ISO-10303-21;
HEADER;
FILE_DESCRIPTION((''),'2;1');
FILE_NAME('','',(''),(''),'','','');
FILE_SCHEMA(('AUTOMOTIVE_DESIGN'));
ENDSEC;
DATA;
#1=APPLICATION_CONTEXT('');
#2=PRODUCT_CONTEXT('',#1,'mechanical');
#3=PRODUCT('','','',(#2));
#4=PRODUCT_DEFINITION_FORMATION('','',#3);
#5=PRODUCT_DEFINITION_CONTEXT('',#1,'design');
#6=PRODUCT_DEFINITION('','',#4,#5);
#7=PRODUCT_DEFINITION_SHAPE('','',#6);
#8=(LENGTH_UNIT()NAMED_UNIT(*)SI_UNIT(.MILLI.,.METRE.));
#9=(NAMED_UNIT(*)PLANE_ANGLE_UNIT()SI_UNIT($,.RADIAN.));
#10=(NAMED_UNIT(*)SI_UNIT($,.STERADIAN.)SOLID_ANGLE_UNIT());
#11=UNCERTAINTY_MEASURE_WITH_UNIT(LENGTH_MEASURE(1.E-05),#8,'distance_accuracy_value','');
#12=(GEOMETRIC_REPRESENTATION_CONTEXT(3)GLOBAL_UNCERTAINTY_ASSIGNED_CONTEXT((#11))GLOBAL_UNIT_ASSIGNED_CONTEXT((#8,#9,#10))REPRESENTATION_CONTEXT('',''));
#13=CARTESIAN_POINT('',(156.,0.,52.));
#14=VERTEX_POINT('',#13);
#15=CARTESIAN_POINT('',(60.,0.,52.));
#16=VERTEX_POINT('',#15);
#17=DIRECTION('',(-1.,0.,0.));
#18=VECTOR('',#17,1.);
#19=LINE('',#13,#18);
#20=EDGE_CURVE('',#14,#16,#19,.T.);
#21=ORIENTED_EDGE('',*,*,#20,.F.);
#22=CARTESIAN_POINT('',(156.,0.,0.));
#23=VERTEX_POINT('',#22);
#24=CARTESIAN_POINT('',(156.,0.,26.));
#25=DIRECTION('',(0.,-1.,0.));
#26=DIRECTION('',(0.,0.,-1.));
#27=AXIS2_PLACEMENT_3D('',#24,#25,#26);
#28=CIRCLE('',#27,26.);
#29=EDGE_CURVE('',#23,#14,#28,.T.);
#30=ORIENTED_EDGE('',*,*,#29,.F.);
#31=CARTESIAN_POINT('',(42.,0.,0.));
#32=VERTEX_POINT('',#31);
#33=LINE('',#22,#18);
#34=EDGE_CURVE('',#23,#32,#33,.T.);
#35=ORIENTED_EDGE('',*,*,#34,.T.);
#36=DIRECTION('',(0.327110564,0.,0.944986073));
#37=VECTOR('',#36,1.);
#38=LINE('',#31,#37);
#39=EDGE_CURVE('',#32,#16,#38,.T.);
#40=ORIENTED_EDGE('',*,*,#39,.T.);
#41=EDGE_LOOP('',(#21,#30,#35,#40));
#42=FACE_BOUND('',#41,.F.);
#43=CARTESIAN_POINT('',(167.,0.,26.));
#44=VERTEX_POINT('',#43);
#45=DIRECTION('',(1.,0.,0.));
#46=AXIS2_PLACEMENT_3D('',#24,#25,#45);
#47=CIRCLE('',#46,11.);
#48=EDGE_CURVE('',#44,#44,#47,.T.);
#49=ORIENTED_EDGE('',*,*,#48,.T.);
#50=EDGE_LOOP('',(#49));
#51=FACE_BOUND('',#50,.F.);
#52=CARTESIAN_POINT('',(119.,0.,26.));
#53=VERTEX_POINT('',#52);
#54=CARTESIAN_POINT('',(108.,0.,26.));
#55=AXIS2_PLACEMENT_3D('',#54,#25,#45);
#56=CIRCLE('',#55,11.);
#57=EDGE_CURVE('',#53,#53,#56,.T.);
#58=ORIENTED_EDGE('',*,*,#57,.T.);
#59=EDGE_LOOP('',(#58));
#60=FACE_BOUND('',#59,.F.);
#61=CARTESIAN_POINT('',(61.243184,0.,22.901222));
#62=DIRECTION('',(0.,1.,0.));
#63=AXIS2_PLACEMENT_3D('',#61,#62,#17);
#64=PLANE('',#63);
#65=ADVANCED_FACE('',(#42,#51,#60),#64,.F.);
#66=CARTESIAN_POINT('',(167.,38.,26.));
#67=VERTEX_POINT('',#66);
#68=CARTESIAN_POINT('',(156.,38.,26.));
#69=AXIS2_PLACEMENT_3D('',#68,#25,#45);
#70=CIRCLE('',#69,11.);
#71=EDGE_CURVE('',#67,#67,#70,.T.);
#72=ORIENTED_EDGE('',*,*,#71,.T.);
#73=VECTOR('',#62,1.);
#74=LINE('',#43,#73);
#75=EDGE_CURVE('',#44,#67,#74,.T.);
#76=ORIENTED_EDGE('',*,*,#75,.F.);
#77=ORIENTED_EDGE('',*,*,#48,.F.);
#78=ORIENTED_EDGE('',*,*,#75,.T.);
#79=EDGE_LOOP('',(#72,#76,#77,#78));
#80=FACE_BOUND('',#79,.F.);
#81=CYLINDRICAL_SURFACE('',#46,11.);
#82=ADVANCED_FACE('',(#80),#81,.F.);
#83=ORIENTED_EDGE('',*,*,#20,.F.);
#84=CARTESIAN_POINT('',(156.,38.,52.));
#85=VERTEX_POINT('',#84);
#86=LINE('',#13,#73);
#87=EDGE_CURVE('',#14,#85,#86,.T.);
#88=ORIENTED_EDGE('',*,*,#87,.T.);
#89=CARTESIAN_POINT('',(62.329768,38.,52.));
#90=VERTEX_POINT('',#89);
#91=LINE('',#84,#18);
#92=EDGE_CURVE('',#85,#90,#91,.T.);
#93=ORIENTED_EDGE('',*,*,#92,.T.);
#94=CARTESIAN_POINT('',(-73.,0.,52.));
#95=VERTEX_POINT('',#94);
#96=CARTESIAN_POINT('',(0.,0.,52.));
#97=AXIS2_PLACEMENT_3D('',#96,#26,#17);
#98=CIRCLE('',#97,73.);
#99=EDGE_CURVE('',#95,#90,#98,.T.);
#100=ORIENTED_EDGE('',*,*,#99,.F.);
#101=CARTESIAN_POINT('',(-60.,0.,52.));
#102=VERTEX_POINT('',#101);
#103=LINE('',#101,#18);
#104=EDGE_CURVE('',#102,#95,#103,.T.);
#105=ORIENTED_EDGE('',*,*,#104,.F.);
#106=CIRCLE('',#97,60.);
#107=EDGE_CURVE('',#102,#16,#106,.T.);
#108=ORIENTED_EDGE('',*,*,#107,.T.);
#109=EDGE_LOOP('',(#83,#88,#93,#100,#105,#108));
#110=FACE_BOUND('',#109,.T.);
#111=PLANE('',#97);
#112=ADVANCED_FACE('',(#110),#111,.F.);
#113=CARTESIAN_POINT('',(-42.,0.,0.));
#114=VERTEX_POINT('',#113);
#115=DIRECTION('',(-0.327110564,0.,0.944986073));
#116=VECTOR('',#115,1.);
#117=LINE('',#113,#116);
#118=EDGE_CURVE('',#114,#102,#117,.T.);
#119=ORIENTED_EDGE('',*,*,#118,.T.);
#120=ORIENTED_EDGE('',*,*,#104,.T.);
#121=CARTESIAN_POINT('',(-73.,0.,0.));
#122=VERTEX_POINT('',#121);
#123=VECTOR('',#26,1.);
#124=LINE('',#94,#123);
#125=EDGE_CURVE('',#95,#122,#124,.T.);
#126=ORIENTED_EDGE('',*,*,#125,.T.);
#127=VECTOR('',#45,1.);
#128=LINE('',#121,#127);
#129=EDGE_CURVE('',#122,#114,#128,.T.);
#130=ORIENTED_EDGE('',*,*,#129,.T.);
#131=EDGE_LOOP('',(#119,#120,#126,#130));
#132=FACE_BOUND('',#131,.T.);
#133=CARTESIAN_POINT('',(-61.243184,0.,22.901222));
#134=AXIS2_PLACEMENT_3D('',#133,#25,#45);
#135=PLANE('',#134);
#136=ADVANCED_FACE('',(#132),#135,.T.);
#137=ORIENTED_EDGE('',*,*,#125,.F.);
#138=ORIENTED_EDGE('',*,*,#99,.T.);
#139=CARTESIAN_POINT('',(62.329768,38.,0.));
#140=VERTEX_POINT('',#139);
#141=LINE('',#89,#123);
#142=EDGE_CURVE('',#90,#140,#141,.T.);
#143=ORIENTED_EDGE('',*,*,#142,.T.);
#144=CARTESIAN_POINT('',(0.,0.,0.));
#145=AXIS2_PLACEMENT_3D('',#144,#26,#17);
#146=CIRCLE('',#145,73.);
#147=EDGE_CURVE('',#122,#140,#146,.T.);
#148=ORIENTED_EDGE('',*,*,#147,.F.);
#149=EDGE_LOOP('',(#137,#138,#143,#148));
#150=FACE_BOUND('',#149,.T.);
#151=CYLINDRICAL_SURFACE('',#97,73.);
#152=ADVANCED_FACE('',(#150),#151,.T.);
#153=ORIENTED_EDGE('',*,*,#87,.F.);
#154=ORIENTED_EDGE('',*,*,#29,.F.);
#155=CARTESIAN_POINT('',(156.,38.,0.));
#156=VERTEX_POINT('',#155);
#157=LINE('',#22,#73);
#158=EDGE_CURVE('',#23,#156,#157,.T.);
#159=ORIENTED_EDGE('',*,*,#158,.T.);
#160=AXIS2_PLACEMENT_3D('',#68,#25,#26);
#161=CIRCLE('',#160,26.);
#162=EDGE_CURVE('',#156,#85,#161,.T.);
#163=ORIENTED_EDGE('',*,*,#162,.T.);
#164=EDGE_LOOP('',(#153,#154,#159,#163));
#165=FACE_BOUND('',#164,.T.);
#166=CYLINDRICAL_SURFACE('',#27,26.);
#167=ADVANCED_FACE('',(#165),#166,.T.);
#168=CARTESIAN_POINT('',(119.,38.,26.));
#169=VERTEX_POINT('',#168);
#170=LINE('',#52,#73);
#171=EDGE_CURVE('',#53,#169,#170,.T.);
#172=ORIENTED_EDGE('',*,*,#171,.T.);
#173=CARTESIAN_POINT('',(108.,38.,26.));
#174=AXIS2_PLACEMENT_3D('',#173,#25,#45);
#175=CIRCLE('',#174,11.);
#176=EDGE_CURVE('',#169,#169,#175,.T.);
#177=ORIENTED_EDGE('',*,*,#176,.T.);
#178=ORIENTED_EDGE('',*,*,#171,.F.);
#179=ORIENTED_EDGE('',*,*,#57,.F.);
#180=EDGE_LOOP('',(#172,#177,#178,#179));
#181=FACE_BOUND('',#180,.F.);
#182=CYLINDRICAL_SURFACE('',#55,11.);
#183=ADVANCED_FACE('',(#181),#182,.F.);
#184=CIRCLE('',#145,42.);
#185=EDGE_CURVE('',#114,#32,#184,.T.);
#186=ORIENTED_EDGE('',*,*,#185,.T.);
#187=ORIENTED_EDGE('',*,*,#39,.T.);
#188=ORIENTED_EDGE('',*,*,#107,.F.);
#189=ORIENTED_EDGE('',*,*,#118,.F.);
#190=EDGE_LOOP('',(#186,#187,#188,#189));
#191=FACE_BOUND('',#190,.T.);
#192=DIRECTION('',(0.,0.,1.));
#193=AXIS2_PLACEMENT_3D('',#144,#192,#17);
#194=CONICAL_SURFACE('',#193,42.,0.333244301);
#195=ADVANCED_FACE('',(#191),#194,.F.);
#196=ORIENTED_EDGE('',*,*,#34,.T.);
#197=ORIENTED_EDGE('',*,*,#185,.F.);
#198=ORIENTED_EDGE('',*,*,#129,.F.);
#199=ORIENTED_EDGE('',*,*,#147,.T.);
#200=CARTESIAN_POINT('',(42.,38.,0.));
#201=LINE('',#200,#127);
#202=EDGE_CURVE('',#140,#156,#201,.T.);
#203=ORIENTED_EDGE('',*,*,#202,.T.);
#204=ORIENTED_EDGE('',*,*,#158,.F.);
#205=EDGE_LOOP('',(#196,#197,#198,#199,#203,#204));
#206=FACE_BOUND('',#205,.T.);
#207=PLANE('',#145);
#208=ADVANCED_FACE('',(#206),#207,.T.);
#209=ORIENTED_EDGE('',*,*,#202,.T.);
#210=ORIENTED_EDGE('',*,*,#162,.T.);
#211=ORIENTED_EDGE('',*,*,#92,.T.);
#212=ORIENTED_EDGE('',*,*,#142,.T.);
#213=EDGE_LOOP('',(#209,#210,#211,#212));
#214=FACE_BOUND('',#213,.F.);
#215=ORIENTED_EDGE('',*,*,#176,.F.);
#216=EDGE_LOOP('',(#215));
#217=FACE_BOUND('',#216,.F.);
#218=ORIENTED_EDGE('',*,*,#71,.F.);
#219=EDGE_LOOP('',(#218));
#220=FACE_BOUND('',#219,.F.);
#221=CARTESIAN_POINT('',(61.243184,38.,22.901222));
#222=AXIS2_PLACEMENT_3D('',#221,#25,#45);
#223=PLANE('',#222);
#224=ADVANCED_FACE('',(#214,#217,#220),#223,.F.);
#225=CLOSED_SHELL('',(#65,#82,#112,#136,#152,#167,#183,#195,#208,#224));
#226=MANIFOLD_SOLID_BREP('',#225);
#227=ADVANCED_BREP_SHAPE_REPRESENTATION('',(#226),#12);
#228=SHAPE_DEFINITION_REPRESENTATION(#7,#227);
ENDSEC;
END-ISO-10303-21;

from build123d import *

# Parameters (mm, degrees)
F1_ANGLE = 180
F2_R     = 11
F3_DEPTH = 38


with BuildPart() as f1:
    # F0 (on Front) → F1 (revolve)
    with BuildSketch(Plane.XZ):
        Polygon((-73, 52), (-73, 0), (-42, 0), (-60, 52), align=None)
    revolve(axis=Axis((0, 0, -1.894746), (0, 0, -1)), revolution_arc=F1_ANGLE)

    # F2 (on face) → F3 (join)
    with BuildSketch(Plane.XZ):
        Polygon((73, 52), (60, 52), (42, 0), (73, 0), align=None)
        with BuildLine():
            Line((156, 52), (73, 52))
            Line((73, 52), (73, 0))
            Line((73, 0), (156, 0))
            ThreePointArc((156, 0), (182, 26), (156, 52))
        make_face()
        with Locations((108, 26)):
            Circle(F2_R, mode=Mode.SUBTRACT)
        with Locations((156, 26)):
            Circle(F2_R, mode=Mode.SUBTRACT)
    extrude(amount=-F3_DEPTH)


solid = f1.part
